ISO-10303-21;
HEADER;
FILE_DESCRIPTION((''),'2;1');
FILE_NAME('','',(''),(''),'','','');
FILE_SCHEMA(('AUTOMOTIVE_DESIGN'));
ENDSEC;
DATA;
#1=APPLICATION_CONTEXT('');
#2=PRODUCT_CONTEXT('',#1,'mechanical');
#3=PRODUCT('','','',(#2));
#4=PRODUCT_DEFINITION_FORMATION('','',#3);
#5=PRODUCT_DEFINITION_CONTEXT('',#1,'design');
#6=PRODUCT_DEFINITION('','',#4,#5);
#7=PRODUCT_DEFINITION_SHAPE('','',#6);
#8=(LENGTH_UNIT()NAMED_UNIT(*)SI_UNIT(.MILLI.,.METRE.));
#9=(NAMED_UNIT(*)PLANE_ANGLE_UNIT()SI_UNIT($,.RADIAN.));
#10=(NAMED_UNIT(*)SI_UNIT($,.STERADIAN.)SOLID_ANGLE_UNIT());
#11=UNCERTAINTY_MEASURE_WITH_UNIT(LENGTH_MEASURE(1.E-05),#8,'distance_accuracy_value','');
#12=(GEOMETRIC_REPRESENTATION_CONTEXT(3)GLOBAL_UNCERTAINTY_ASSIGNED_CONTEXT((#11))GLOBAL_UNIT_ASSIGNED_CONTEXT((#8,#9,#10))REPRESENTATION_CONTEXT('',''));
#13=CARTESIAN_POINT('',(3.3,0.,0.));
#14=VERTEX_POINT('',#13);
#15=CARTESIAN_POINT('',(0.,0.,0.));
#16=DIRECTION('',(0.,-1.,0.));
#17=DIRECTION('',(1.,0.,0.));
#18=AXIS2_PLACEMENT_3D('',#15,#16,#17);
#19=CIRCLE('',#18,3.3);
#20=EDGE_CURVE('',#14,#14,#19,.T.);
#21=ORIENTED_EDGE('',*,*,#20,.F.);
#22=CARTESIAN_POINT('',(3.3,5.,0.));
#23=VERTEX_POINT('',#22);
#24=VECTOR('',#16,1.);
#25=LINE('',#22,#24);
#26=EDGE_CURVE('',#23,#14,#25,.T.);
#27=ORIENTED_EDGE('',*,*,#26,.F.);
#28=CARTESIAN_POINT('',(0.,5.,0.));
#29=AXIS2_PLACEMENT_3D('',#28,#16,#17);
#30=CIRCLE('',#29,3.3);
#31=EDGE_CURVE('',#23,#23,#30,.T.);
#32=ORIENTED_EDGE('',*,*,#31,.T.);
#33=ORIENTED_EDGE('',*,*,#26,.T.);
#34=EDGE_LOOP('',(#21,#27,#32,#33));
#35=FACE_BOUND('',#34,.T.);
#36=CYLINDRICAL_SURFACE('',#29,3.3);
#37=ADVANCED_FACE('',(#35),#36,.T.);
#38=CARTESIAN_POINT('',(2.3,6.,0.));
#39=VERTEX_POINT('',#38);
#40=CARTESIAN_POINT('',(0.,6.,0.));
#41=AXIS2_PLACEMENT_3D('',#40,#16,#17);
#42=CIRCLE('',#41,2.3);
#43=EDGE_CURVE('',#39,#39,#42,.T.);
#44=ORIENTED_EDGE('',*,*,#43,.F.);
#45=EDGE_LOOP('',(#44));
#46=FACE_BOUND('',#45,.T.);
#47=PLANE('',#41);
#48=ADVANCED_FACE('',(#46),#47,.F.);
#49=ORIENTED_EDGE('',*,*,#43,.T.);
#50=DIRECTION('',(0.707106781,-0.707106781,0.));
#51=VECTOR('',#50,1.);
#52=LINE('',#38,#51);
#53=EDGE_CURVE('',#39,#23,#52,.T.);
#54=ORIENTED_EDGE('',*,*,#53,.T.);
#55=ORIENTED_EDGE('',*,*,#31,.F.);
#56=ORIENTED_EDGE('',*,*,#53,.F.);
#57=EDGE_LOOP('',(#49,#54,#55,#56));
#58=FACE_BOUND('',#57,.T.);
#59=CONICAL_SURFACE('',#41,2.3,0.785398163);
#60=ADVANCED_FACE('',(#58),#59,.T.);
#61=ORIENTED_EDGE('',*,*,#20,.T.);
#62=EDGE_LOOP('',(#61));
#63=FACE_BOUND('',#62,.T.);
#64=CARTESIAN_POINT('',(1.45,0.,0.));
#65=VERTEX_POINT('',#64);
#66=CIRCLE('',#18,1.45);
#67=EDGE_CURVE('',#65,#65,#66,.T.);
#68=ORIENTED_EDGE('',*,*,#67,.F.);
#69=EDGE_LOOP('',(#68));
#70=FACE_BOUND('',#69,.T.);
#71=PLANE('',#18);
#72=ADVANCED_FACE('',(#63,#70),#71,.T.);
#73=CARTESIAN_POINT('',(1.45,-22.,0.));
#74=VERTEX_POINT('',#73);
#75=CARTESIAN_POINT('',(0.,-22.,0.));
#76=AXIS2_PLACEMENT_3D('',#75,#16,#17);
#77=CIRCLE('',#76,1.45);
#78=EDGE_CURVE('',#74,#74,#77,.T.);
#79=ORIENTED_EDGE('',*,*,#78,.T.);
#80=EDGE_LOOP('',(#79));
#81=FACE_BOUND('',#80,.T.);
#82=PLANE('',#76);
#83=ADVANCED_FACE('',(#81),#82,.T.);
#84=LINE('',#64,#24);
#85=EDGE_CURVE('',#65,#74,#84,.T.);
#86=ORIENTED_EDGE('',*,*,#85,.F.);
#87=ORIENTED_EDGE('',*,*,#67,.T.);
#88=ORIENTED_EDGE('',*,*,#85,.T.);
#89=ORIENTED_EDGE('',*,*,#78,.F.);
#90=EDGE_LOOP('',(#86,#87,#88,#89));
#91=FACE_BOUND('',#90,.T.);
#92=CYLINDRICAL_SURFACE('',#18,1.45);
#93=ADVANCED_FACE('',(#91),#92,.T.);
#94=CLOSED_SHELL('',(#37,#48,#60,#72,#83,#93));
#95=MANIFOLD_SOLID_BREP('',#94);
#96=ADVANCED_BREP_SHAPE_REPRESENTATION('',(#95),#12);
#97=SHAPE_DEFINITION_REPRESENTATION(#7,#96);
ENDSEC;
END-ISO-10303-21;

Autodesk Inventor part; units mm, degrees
sketch "Sketch_1" plane through (0, 0, 0) normal (0, 0, 1) x (1, 0, 0)
  line L0 (0, -22) -> (0, 0)
  line L1 (0, 0) -> (1.45, 0)
  line L2 (1.45, 0) -> (1.45, -22)
  line L3 (1.45, -22) -> (0, -22)
  line L4 (0, -22) -> (0, 0)
revolve "Revolution1" add sketch "Sketch_1" angle 360 about axis through (0, -22, 0) along (0, -1, 0)
sketch "_____2" plane through (0, 0, 0) normal (0, 0, 1) x (1, 0, 0)
  line L0 (0, -50) -> (0, 50)
  line L1 (0, 6) -> (2.3, 6)
  line L2 (2.3, 6) -> (3.3, 5)
  line L3 (3.3, 5) -> (3.3, 0)
  line L4 (3.3, 0) -> (0, 0)
  line L5 (0, 0) -> (0, 6)
revolve "Revolution2" add sketch "_____2" angle 360 about axis through (0, -50, 0) along (0, -1, 0)
ref_plane "to_body_XY" through (0, -6, 0) normal (0, -1, 0) x (1, 0, 0)
ref_plane "to_body_YZ" through (0, -6, 0) normal (1, 0, 0) x (0, 0, 1)
ref_plane "to_body_ZX" through (0, -6, 0) normal (0, 0, 1) x (0, -1, 0)
ref_plane "to_cap_XY" through (0, 0, 0) normal (0, -1, 0) x (1, 0, 0)
ref_plane "to_cap_YZ" through (0, 0, 0) normal (1, 0, 0) x (0, 0, 1)
ref_plane "to_cap_ZX" through (0, 0, 0) normal (0, 0, 1) x (0, -1, 0)
properties part number "C-AC0806_r"
